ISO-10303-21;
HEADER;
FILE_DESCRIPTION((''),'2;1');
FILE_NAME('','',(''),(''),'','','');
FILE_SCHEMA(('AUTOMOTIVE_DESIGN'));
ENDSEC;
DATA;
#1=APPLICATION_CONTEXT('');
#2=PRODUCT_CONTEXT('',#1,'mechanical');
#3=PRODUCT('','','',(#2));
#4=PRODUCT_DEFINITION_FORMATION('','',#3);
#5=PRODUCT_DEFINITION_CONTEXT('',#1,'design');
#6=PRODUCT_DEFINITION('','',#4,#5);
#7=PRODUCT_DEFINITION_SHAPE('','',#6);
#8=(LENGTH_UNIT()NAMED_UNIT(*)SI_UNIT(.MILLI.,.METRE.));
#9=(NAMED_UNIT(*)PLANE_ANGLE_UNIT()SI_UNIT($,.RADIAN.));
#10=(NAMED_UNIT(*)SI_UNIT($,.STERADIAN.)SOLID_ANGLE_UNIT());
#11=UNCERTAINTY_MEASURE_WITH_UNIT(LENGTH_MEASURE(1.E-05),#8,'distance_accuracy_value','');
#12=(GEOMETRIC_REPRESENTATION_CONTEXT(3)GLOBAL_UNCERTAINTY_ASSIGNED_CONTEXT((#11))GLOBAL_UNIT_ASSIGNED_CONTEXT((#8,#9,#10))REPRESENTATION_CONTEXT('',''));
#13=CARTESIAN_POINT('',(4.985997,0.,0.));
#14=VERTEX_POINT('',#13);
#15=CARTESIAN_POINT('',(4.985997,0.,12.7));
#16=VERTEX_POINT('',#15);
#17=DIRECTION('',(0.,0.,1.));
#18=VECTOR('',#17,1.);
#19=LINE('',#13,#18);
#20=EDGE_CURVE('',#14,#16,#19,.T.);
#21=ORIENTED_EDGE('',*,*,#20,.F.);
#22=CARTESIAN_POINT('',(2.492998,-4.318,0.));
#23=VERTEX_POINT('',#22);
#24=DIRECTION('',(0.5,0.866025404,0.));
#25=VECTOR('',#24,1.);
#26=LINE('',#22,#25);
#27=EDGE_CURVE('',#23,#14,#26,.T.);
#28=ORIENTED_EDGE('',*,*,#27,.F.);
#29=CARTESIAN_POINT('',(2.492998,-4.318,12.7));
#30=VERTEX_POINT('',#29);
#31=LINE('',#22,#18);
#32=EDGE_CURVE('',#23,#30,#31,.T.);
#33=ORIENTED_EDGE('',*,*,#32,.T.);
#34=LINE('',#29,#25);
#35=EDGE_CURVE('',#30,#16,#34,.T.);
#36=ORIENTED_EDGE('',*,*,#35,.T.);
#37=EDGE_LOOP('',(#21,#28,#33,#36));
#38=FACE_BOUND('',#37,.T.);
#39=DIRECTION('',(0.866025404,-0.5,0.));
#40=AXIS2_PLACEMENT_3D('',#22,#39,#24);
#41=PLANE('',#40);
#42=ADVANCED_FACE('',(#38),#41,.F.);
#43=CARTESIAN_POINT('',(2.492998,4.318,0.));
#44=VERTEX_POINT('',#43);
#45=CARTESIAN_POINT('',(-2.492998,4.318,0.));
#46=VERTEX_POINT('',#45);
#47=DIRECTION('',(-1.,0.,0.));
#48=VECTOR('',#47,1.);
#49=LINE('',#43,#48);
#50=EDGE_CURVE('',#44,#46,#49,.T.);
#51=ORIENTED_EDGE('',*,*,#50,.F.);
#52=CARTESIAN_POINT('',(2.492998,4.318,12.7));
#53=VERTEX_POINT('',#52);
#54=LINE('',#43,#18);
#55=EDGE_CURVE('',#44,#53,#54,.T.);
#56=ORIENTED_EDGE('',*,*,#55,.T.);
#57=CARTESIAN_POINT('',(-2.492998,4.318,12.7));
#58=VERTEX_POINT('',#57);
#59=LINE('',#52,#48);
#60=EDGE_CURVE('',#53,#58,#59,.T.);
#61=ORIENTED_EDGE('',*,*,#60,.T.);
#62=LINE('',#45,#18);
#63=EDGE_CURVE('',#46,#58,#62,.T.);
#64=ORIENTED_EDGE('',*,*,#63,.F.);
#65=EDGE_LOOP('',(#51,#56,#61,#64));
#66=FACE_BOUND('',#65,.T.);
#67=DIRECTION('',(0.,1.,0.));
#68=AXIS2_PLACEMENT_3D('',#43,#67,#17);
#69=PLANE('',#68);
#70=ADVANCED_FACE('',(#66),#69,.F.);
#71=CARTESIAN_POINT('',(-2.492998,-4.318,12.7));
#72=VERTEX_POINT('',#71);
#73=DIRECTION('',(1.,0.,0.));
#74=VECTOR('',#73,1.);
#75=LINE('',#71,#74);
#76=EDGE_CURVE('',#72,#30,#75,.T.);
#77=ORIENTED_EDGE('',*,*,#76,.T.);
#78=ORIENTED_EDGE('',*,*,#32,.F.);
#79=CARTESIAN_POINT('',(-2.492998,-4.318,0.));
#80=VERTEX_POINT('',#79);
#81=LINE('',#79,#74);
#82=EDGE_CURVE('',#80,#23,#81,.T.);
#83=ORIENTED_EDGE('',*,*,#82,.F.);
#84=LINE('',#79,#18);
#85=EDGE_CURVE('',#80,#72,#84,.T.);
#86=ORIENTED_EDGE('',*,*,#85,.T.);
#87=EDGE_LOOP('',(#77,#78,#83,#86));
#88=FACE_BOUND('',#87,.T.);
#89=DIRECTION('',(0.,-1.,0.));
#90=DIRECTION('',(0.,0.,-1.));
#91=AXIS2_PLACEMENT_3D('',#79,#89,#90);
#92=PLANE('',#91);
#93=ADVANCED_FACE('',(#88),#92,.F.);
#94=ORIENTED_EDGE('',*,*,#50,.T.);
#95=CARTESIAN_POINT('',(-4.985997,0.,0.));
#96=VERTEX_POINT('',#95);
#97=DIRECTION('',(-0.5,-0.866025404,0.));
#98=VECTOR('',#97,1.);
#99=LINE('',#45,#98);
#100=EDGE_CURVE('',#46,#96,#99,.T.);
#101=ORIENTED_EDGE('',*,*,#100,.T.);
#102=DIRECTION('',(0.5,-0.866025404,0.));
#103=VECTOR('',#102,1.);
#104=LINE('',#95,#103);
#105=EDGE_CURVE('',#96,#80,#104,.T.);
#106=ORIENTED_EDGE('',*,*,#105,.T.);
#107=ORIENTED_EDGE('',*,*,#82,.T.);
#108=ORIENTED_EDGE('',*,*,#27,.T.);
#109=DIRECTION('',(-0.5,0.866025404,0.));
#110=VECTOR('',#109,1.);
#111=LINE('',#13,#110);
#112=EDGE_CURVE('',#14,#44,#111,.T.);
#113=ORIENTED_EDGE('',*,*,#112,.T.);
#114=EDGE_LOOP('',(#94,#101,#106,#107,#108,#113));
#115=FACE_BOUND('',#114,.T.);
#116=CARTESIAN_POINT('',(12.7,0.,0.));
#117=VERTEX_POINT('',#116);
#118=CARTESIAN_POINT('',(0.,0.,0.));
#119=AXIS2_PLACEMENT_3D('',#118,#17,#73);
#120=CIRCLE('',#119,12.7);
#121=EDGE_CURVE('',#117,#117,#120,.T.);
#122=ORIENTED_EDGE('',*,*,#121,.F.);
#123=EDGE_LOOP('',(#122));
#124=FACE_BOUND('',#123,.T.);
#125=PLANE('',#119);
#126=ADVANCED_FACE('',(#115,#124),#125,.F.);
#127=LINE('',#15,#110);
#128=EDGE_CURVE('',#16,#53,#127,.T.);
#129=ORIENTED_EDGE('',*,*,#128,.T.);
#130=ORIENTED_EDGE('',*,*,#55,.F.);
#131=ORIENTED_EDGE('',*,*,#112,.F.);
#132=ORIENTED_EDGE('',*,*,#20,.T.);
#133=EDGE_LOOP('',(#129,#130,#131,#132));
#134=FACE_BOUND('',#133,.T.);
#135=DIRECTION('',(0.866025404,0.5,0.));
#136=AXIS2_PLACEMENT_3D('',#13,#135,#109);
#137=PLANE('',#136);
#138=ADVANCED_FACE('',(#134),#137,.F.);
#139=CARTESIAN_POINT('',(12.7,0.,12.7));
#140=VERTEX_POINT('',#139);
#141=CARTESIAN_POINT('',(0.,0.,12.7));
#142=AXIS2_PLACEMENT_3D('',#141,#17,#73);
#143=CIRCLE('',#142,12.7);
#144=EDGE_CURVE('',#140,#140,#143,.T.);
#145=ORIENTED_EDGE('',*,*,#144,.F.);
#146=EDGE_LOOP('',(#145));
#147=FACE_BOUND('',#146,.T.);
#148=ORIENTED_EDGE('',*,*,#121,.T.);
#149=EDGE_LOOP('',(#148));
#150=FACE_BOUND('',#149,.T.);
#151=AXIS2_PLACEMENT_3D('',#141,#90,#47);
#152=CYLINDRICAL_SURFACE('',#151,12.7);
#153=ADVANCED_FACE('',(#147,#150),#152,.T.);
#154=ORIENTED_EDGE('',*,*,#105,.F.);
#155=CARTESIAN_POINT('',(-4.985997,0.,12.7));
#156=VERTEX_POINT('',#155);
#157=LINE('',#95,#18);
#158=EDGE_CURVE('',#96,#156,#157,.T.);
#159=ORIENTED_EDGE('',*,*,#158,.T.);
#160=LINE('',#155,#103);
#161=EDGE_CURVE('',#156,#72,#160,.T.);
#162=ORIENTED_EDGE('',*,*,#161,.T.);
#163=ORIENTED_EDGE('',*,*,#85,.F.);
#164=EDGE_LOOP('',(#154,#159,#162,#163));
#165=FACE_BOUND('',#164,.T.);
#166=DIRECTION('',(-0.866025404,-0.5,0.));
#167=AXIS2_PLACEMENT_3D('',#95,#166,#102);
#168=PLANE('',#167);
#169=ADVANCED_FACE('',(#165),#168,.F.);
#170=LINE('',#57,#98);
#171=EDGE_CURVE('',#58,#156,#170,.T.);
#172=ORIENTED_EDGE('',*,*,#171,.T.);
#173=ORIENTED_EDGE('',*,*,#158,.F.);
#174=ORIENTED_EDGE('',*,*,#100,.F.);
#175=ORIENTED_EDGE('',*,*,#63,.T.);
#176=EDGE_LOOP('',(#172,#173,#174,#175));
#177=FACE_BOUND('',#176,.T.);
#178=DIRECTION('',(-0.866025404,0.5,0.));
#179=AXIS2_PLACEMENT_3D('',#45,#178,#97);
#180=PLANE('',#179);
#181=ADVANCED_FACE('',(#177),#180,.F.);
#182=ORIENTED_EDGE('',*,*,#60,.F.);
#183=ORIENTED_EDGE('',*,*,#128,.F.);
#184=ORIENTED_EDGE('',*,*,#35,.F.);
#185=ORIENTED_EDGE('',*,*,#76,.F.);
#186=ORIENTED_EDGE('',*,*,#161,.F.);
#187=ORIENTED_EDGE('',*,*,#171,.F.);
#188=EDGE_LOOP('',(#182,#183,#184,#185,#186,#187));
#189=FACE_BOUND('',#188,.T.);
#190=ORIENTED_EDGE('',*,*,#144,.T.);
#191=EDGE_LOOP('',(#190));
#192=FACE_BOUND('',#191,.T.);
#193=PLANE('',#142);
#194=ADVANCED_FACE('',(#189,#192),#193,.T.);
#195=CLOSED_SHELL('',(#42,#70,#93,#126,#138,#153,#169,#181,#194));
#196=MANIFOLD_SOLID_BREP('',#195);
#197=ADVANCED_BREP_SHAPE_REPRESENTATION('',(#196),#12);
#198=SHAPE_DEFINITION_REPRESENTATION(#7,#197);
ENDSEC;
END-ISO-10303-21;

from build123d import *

# Parameters (mm, degrees)
SKETCH2_R           = 12.7
BOSS_EXTRUDE1_DEPTH = 12.7
CUT_EXTRUDE1_DEPTH  = 22.997045256


with BuildPart() as part:
    # Sketch2 → Boss-Extrude1 (new body)
    with BuildSketch(Plane(origin=(0, 0, 0), x_dir=(0, 1, 0), z_dir=(0, 0, 1))):
        with Locations(Location((0, 0, 0), (0, 0, 270))):
            Circle(SKETCH2_R)
    extrude(amount=BOSS_EXTRUDE1_DEPTH)

    # Sketch3 → Cut-Extrude1 (cut, through all)
    with BuildSketch(Plane.XY.offset(12.7)):
        Polygon((-2.492998462, -4.318), (2.492998462, -4.318), (4.985996925, 0), (2.492998462, 4.318), (-2.492998462, 4.318), (-4.985996925, 0), align=None)
    extrude(amount=-CUT_EXTRUDE1_DEPTH, mode=Mode.SUBTRACT)


solid = part.part
